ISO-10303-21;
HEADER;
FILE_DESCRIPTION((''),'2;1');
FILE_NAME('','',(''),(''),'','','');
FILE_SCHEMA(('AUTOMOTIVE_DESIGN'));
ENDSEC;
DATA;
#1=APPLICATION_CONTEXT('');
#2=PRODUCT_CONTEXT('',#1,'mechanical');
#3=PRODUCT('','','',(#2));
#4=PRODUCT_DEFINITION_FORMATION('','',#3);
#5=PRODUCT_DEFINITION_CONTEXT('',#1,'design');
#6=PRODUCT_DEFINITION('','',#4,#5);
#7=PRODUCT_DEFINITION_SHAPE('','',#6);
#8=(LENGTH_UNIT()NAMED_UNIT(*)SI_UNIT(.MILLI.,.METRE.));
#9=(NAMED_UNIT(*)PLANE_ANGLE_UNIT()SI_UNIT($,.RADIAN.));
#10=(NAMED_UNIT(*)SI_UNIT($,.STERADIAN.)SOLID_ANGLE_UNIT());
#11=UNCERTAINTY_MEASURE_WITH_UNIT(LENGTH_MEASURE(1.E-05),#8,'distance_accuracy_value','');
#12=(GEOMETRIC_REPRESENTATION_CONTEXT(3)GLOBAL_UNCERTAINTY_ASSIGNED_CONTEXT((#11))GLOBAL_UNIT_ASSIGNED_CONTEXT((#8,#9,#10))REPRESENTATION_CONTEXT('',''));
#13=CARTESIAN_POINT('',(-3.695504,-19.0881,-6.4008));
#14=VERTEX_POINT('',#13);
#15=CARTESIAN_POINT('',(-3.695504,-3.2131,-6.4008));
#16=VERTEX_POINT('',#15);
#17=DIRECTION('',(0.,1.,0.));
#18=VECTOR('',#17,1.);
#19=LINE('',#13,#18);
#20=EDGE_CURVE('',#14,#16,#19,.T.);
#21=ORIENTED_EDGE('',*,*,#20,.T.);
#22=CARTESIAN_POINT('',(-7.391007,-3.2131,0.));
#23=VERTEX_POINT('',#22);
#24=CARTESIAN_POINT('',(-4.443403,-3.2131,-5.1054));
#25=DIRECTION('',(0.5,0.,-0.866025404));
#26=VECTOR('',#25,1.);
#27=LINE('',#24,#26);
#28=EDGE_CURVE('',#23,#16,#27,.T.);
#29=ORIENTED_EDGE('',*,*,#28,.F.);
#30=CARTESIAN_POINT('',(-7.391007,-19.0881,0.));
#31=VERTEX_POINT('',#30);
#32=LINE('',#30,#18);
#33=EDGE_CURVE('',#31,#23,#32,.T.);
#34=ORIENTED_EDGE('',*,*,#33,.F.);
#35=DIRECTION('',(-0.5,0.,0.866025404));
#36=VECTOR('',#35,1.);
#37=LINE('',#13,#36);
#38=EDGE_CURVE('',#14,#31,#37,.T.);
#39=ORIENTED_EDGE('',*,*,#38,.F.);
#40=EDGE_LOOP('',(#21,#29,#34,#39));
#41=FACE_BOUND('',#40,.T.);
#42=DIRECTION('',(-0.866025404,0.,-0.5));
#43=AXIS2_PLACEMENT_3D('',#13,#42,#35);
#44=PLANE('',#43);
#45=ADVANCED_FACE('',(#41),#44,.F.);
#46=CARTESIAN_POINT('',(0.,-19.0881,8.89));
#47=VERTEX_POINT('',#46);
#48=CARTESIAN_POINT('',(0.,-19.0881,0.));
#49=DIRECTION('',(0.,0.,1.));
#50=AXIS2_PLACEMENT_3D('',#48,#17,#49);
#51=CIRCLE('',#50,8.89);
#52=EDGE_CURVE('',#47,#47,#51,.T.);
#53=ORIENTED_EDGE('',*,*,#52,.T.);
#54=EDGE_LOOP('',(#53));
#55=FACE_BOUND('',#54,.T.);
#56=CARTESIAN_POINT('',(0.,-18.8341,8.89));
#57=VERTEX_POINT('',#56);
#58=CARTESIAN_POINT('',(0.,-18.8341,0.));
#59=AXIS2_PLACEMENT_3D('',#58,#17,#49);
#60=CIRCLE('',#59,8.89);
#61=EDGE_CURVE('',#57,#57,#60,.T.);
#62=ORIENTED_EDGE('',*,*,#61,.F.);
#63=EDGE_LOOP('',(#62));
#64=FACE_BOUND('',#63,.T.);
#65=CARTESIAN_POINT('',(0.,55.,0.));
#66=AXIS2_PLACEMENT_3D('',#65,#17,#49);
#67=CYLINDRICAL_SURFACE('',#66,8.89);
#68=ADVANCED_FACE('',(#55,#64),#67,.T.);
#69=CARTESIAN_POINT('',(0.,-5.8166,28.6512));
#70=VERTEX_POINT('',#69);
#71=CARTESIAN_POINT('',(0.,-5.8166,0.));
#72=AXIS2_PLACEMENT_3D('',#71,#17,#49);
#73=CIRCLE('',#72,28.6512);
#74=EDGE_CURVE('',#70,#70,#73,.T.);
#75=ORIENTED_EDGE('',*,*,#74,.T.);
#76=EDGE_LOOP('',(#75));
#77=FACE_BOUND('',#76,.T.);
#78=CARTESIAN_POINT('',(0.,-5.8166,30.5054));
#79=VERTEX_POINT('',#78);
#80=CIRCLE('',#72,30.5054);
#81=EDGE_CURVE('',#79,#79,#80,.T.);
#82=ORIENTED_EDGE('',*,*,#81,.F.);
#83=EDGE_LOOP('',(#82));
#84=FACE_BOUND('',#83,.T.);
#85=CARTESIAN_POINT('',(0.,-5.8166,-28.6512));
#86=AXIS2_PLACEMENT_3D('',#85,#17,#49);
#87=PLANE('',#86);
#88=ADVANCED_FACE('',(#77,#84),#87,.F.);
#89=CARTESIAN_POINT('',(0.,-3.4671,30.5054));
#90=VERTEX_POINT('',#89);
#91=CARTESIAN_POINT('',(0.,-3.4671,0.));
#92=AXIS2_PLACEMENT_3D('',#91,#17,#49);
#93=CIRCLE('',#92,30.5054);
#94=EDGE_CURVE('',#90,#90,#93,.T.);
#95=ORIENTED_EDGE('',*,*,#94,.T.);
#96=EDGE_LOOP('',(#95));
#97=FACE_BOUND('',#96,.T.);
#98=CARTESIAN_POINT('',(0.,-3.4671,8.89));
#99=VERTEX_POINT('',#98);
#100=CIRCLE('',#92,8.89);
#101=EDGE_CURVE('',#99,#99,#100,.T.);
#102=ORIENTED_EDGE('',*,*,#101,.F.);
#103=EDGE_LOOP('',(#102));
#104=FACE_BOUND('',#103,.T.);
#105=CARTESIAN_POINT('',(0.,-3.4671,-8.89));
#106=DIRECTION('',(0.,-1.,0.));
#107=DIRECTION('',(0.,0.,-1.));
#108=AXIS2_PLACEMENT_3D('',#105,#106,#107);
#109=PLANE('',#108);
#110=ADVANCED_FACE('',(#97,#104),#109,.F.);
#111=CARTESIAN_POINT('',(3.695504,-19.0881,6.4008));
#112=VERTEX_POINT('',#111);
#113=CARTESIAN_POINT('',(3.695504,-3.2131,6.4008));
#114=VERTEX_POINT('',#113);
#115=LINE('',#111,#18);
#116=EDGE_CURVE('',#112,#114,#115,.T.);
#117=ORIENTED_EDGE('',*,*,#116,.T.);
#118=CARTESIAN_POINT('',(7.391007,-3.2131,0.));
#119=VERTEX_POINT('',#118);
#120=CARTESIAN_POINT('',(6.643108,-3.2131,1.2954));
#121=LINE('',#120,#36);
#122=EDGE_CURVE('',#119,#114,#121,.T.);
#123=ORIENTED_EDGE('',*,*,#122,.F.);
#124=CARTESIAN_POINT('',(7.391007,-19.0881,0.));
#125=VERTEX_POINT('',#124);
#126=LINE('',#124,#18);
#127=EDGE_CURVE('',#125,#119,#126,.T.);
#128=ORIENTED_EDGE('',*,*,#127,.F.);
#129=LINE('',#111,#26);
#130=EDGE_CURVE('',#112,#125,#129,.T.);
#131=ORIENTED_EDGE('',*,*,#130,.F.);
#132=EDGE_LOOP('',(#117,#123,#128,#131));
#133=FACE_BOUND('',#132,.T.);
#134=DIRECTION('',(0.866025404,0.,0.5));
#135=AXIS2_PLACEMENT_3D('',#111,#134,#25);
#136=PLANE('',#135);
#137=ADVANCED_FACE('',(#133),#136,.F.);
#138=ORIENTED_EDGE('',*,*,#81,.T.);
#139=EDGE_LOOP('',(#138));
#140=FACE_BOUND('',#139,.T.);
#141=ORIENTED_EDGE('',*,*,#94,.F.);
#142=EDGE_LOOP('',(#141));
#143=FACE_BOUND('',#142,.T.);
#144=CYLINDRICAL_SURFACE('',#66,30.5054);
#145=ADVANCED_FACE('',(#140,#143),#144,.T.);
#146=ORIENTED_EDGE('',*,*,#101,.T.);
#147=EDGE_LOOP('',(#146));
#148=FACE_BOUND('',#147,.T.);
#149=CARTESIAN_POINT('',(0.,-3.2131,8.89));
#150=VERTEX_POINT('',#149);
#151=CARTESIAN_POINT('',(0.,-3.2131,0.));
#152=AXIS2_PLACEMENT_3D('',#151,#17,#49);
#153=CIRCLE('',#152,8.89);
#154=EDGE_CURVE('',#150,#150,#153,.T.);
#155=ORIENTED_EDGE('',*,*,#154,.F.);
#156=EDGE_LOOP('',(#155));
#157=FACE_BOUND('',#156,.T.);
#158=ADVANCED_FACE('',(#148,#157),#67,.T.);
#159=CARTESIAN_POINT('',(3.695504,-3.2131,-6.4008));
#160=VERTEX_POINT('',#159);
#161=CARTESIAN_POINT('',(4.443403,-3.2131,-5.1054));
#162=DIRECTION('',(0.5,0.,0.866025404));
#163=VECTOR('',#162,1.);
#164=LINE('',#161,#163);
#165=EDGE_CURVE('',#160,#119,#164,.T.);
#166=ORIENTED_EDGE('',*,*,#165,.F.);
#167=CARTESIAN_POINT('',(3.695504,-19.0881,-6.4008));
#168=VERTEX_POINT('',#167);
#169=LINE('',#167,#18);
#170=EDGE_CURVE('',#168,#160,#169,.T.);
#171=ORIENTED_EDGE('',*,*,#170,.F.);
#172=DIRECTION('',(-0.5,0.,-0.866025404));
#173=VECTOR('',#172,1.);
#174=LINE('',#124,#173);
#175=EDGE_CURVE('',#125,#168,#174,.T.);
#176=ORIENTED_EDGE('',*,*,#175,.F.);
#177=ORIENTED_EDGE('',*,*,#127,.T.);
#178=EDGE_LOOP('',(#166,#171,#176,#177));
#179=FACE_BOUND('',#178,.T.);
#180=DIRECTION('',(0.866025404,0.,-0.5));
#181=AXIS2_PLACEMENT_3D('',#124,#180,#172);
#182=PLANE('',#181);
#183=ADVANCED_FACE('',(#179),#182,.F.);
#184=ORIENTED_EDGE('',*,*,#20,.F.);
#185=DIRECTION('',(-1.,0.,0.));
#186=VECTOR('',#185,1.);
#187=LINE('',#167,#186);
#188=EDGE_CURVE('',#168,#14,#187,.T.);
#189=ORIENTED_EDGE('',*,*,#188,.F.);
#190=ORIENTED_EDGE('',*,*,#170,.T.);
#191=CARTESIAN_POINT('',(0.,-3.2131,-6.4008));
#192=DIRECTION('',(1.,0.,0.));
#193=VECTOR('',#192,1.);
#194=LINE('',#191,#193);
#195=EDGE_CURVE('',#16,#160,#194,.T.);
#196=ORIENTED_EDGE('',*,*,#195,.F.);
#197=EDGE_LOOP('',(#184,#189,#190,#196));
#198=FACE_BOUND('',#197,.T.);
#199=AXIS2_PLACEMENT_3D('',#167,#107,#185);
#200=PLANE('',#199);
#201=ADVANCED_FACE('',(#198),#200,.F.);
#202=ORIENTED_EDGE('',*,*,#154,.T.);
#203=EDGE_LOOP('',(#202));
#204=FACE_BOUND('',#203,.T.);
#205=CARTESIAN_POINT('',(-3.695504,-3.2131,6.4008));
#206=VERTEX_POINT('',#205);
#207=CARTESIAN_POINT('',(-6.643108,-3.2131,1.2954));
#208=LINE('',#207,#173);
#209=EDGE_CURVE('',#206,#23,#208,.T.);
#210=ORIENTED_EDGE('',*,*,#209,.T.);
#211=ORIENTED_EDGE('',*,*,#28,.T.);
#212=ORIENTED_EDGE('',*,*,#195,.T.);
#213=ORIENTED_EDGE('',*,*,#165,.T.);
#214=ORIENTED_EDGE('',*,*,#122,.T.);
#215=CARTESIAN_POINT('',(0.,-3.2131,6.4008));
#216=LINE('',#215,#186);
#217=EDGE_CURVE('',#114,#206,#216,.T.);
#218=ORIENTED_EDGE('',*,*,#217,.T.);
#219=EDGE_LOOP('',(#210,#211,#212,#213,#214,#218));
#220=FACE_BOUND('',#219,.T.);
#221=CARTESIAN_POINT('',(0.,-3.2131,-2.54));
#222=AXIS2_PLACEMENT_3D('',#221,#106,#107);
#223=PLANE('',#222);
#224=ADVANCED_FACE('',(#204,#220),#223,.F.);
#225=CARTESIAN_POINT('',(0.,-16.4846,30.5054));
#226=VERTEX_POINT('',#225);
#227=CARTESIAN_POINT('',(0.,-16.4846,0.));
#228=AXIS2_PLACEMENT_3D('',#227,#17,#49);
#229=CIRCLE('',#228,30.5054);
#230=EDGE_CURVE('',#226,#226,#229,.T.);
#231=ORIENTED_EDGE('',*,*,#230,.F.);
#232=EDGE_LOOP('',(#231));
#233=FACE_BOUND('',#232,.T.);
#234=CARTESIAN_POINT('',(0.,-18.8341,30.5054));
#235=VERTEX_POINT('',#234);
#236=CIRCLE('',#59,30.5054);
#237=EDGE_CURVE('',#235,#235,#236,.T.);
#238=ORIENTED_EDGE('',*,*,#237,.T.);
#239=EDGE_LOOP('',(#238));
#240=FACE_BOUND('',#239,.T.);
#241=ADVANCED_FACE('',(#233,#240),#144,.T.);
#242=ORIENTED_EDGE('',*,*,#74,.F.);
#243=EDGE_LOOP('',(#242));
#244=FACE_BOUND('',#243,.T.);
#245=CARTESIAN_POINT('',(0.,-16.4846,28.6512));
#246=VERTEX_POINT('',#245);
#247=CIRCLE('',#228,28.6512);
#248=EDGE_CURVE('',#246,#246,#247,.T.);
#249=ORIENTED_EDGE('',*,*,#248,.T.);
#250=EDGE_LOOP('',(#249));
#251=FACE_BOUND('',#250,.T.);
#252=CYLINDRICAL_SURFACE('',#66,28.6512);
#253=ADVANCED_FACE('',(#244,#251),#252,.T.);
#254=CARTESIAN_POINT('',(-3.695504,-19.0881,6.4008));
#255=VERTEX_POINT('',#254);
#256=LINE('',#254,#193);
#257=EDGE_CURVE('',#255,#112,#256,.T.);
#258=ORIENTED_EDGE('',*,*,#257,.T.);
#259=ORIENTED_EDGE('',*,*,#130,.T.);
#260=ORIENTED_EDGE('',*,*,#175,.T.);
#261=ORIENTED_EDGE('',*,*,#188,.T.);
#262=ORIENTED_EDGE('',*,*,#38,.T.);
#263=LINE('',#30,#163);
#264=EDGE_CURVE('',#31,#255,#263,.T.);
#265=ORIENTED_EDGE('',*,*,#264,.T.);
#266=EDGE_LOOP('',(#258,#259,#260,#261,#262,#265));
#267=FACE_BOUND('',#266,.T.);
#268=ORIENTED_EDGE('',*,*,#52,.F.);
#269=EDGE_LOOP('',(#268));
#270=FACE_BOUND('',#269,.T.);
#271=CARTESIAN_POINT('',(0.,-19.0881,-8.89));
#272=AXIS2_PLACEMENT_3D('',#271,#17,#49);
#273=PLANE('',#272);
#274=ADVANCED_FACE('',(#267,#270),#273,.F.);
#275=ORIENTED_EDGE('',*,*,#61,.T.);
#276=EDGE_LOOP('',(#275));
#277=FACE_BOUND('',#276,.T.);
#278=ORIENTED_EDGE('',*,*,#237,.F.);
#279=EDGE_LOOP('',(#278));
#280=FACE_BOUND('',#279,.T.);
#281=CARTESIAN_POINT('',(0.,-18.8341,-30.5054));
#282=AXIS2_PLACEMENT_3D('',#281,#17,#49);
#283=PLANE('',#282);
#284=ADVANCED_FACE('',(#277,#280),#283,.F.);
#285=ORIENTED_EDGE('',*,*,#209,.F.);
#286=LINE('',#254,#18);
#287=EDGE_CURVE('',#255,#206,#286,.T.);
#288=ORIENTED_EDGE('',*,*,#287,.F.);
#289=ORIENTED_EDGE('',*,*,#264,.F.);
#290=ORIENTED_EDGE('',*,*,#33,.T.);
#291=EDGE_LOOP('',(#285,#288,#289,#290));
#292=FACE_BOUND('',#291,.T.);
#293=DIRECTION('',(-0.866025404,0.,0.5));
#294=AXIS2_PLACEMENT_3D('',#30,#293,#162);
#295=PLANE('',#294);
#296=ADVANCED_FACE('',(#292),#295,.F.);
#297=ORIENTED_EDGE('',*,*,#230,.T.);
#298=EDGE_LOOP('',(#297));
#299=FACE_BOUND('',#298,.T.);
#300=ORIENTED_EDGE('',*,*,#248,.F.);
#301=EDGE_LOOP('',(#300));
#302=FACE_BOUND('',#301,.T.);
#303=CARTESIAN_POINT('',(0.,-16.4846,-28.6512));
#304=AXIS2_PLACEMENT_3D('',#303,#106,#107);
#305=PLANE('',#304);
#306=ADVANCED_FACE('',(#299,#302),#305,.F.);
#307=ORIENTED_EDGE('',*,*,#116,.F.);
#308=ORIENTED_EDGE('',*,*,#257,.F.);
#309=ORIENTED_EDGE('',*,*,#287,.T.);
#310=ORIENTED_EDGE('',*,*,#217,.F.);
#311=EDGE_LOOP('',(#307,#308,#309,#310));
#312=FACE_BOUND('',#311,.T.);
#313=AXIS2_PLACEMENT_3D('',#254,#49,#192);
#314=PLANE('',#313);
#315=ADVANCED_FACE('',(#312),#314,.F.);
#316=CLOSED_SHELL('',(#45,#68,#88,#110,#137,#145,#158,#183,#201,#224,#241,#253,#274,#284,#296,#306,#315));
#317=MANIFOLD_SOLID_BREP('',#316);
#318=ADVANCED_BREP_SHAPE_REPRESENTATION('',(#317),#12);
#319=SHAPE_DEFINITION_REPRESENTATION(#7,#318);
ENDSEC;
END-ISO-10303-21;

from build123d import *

# Parameters (mm, degrees)
CUT_EXTRUDE1_DEPTH      = 1
CUT_EXTRUDE1_DEPTH_BACK = 16.875


with BuildPart() as part:
    # Sketch2 → Revolve1 (revolve)
    with BuildSketch(Plane(origin=(0, 0, 0), x_dir=(0, 0, -1), z_dir=(1, 0, 0))):
        Polygon((2.54, -3.2131), (8.89, -3.2131), (8.89, -3.4671), (30.5054, -3.4671), (30.5054, -5.8166), (28.6512, -5.8166), (28.6512, -16.4846), (30.5054, -16.4846), (30.5054, -18.8341), (8.89, -18.8341), (8.89, -19.0881), (2.54, -19.0881), align=None)
    revolve(axis=Axis((0, 55, 0), (0, -1, 0)))

    # Sketch3 → Cut-Extrude1 (cut, two sides)
    with BuildSketch(Plane(origin=(0, -3.2131, 0), x_dir=(1, 0, 0), z_dir=(0, 1, 0))) as cut_extrude1_sk:
        Polygon((3.695503603, 6.4008), (-3.695503603, 6.4008), (-7.391007206, 0), (-3.695503603, -6.4008), (3.695503603, -6.4008), (7.391007206, 0), align=None)
    extrude(amount=CUT_EXTRUDE1_DEPTH, mode=Mode.SUBTRACT)
    extrude(cut_extrude1_sk.sketch, amount=-CUT_EXTRUDE1_DEPTH_BACK, mode=Mode.SUBTRACT)


solid = part.part
